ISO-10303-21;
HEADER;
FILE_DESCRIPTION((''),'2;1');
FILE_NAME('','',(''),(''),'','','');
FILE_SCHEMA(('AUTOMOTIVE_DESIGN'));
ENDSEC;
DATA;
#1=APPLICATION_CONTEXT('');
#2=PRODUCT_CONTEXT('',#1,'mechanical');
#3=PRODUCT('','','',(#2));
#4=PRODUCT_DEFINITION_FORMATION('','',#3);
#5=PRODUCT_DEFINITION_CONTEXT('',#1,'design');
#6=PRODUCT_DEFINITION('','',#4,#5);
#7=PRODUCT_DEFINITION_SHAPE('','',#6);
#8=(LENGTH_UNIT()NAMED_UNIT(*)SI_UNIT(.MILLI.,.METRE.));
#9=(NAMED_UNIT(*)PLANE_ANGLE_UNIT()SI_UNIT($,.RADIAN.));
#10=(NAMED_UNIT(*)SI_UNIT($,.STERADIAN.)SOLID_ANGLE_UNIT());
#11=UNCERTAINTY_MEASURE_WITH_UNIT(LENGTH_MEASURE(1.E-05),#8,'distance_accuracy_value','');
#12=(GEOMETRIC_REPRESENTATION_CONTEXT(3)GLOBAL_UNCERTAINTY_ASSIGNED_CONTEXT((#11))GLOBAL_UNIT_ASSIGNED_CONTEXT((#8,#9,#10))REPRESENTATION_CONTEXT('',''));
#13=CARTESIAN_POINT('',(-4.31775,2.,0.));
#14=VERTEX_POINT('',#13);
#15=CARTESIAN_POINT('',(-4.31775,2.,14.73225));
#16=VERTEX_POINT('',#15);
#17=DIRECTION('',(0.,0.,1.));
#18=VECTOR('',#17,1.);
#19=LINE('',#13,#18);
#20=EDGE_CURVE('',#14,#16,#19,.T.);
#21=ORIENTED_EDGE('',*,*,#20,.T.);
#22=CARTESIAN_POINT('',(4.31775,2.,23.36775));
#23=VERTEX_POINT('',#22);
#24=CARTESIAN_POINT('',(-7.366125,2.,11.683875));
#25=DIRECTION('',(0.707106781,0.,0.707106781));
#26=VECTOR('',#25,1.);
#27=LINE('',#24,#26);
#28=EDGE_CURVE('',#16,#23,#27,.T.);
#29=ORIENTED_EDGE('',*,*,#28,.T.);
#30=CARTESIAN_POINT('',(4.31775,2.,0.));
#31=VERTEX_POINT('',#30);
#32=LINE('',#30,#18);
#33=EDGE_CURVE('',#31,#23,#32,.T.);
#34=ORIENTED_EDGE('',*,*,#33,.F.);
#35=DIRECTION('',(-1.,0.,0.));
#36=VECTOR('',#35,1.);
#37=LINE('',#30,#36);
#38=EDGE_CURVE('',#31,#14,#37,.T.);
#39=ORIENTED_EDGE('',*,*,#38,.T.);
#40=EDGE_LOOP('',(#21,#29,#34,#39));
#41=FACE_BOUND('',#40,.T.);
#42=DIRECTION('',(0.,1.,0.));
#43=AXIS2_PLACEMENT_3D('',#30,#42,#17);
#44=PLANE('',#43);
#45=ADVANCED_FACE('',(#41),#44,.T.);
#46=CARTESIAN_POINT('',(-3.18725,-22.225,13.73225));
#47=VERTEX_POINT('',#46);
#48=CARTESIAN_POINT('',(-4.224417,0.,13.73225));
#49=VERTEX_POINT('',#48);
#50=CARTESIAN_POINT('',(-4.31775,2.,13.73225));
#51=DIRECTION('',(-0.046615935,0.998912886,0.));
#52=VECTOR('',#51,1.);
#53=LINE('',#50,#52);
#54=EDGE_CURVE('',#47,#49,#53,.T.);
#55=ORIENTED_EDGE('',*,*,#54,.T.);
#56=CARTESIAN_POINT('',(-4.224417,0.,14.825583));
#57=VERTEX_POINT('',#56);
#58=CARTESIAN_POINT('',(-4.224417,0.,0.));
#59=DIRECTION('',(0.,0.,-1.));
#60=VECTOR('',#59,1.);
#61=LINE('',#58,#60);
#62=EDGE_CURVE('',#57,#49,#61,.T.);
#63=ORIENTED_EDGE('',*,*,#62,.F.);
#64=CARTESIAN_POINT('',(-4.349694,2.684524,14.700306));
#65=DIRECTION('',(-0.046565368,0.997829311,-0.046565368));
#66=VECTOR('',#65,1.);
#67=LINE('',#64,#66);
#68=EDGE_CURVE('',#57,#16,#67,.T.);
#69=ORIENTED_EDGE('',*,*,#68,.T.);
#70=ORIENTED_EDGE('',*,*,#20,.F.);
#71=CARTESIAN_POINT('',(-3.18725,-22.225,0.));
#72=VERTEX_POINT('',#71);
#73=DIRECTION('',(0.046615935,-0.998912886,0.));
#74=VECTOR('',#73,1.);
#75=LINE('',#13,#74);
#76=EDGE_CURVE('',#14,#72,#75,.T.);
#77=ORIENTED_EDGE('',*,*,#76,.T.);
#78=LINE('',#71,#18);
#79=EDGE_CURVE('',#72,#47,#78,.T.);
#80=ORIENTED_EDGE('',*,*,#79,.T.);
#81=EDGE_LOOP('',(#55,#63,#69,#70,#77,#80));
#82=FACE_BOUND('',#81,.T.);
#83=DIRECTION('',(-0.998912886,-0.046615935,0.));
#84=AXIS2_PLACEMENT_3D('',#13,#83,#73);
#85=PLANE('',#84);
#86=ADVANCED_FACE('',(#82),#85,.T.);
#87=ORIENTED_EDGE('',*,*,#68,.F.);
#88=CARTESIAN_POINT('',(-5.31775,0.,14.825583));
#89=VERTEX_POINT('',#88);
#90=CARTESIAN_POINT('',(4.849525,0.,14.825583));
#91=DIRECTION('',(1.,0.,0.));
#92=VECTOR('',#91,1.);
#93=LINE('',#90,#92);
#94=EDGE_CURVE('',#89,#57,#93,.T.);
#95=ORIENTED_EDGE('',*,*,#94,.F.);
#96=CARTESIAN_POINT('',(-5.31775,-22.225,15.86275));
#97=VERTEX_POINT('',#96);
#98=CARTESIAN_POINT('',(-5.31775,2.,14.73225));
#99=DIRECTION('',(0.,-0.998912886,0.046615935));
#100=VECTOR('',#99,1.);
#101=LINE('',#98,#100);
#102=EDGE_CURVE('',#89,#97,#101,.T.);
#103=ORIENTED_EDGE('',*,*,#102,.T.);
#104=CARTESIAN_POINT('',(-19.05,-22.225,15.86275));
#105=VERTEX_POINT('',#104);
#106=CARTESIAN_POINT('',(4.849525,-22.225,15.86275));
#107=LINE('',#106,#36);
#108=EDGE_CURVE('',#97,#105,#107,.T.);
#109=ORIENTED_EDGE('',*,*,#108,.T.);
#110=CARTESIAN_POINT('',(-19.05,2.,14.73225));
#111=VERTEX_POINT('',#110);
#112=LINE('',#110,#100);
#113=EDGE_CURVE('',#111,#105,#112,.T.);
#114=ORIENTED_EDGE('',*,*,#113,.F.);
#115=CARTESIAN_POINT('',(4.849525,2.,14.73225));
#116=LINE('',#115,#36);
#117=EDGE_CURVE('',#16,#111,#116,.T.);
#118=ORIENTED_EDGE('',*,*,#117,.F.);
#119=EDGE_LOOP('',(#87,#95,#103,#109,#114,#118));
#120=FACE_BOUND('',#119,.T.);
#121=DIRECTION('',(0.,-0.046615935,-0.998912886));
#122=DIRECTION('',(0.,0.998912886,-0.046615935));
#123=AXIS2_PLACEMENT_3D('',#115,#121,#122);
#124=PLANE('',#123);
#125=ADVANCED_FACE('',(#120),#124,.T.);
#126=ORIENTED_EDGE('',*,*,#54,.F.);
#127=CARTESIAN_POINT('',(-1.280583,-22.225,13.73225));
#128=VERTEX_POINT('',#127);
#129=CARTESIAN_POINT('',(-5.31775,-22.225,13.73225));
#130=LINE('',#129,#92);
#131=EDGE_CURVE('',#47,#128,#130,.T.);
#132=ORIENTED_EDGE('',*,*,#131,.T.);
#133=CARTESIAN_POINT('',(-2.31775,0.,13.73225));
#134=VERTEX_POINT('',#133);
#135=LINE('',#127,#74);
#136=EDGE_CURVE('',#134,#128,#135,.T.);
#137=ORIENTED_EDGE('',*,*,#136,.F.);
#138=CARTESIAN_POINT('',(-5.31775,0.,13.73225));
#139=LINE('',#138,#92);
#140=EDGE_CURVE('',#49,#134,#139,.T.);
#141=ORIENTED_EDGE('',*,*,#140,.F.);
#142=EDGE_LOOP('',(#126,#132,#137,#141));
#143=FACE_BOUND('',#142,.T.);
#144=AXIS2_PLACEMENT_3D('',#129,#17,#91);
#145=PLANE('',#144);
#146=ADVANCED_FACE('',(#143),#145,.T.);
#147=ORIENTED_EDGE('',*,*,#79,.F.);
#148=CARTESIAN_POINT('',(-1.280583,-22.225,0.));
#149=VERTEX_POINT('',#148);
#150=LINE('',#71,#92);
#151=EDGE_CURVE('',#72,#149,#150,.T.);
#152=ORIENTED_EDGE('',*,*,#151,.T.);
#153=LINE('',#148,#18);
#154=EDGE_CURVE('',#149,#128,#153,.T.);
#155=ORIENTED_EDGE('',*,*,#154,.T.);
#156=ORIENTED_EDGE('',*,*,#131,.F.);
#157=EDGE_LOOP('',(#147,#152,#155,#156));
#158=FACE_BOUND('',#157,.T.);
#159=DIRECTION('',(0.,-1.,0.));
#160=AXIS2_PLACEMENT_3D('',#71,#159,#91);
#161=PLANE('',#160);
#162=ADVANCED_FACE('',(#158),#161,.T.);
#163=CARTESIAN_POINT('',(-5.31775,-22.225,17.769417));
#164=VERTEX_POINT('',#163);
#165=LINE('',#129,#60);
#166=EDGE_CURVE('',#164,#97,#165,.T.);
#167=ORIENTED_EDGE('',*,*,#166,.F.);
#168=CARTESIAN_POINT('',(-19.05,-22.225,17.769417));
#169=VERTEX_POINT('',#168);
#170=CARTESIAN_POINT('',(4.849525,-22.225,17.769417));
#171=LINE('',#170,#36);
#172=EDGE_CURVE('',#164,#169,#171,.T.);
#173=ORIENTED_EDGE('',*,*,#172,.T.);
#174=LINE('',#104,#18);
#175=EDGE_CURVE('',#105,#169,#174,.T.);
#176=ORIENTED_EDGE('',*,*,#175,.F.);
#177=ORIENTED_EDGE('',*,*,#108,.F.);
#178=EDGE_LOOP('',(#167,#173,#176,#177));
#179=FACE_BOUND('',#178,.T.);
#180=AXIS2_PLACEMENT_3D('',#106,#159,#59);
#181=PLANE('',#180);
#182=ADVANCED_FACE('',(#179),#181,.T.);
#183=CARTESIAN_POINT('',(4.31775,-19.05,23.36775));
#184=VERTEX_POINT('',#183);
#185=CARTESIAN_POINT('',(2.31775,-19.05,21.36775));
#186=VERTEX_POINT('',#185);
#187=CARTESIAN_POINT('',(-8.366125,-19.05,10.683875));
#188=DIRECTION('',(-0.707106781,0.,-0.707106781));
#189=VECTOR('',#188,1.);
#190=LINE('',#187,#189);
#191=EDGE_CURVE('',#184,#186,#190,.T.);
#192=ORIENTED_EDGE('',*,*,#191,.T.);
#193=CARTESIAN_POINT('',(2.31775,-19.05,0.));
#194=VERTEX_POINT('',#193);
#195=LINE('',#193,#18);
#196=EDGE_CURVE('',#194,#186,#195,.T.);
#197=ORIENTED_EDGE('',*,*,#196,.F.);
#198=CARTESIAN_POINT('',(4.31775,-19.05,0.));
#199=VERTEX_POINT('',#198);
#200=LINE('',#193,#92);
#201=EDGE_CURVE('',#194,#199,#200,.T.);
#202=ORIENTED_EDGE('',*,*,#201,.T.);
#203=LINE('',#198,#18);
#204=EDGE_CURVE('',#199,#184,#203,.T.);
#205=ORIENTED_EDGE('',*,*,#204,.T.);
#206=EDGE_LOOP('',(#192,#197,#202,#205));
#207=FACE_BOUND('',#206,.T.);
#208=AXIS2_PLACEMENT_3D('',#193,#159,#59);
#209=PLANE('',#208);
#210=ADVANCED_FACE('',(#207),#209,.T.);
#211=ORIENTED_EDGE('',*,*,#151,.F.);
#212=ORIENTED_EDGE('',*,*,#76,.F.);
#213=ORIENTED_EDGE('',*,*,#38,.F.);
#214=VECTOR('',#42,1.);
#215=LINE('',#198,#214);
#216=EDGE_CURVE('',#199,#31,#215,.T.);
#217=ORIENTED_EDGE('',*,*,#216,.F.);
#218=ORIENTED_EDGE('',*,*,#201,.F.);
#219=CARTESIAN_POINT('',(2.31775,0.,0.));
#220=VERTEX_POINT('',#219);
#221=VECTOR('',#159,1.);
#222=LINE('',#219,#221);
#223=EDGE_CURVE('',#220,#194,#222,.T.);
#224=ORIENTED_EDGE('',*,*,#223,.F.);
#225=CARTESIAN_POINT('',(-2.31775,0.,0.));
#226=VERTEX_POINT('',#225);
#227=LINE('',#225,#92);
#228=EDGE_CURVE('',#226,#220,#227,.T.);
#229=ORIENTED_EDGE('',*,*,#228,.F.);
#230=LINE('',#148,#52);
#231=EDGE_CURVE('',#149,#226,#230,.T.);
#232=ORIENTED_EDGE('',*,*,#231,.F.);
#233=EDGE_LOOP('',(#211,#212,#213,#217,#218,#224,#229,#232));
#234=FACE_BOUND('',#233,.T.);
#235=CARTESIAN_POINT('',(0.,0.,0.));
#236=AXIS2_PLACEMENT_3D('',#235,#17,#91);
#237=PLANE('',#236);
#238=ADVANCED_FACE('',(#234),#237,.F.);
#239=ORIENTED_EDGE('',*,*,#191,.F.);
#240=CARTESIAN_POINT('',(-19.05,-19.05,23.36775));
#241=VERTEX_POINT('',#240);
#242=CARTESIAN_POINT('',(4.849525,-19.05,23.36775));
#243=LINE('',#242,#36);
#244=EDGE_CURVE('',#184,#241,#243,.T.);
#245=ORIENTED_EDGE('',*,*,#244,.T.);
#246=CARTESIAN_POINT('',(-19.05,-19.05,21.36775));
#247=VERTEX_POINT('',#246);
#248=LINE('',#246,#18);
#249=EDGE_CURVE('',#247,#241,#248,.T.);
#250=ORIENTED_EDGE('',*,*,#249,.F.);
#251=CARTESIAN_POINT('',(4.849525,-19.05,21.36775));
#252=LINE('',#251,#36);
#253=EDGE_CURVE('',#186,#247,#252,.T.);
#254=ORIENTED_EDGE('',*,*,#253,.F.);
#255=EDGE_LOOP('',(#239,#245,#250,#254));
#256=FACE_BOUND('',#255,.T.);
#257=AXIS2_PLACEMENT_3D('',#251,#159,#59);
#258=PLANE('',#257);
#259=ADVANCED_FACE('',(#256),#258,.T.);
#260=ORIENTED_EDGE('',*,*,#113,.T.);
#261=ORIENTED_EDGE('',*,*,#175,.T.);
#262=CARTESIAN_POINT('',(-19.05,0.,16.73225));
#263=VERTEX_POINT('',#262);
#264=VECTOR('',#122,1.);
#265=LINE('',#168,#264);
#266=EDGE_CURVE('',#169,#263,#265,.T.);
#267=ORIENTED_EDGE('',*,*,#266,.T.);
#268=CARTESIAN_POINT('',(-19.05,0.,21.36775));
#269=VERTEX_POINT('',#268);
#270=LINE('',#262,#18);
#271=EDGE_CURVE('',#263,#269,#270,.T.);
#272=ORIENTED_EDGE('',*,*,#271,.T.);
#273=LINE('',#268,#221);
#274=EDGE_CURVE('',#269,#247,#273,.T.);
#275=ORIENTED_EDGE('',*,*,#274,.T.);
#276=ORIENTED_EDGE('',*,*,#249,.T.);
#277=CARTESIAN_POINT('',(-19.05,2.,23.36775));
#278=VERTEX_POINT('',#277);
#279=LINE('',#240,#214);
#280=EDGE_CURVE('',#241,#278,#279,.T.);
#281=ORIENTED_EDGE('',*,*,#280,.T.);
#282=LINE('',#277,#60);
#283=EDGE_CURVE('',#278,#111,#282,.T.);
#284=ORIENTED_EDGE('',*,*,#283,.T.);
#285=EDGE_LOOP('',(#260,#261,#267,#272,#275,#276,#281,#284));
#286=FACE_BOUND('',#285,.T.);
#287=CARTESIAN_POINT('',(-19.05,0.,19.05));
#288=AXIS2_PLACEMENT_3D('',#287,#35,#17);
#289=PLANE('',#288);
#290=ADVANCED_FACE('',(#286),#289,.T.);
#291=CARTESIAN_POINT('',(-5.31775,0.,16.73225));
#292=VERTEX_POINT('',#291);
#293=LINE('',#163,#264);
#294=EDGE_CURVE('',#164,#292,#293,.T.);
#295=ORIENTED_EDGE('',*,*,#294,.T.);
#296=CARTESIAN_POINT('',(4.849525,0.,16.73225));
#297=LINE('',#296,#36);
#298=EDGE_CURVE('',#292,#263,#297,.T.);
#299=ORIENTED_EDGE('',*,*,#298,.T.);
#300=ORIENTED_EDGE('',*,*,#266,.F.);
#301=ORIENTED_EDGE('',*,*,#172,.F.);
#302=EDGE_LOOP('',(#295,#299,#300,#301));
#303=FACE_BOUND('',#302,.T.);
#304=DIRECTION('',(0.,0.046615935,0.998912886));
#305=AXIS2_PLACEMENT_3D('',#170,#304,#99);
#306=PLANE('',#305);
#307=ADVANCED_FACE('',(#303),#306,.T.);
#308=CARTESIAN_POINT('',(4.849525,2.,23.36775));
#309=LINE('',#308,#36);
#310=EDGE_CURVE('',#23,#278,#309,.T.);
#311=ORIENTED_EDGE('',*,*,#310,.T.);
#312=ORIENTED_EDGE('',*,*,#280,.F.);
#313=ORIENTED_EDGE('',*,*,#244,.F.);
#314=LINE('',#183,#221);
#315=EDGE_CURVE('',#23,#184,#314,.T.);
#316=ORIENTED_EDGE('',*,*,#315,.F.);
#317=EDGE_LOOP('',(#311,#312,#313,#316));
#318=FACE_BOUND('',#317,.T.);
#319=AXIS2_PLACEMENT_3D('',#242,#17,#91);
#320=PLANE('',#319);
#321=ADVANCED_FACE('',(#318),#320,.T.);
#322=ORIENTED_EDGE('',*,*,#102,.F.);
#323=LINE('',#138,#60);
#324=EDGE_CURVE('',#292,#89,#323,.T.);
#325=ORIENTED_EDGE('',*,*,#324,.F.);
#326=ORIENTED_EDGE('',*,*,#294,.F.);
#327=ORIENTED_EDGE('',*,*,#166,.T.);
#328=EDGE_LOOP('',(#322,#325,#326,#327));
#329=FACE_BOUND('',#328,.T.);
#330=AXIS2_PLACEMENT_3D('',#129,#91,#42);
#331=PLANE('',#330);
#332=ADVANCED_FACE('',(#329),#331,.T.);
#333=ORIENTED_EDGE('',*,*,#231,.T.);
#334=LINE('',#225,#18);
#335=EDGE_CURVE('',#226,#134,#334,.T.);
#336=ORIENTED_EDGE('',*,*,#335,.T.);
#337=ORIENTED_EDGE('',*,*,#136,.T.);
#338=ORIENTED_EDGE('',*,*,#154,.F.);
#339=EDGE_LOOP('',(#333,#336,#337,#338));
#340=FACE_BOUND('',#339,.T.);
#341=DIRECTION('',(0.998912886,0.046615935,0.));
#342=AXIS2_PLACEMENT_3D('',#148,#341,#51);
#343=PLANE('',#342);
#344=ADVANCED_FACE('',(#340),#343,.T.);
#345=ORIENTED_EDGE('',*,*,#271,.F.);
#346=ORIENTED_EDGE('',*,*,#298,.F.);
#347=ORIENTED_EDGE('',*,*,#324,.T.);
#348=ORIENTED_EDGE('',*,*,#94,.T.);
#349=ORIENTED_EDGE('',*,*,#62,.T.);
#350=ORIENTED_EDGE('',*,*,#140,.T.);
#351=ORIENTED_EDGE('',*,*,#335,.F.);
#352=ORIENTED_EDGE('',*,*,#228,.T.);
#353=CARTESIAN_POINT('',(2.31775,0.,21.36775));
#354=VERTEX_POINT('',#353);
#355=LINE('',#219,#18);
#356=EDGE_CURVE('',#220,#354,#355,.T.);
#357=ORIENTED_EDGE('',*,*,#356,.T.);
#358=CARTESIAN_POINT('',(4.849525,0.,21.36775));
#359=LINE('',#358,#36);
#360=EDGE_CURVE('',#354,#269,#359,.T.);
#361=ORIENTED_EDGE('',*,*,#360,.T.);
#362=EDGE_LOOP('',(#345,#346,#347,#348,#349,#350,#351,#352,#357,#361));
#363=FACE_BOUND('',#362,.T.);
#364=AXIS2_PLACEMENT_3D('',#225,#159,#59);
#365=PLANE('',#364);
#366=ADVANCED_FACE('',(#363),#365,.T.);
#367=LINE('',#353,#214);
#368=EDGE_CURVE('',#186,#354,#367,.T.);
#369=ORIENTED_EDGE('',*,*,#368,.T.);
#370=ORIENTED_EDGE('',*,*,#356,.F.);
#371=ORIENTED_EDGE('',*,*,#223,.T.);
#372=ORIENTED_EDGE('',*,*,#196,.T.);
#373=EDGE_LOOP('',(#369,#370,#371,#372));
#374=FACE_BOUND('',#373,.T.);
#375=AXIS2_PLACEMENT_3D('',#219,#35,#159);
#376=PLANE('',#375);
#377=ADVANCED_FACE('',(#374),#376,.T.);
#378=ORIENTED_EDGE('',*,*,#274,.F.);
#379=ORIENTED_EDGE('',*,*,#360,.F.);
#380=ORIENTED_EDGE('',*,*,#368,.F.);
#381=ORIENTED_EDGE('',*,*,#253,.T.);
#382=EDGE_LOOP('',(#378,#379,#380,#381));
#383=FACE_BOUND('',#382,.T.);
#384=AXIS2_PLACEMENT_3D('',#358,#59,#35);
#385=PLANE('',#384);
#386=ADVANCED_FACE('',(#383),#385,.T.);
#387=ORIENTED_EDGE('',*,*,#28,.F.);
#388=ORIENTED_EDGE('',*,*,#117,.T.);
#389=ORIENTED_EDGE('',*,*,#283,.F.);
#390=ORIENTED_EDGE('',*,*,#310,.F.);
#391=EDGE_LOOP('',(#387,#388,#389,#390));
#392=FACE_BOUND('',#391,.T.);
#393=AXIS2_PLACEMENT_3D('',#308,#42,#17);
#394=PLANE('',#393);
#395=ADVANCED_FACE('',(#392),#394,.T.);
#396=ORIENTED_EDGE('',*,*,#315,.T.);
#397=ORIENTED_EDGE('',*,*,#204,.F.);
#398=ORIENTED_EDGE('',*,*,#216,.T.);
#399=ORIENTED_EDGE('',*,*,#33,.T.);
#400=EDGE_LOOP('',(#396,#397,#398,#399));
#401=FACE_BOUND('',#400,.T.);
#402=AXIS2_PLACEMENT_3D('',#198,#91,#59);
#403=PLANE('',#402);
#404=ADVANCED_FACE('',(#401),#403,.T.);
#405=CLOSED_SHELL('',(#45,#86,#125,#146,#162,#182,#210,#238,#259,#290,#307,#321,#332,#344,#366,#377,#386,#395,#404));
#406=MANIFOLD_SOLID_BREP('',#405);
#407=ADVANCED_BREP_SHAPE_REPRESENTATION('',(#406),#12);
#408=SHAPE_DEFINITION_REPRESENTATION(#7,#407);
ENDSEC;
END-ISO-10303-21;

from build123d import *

# Parameters (mm, degrees)
SKETCH3_W          = 4.037166667
SKETCH3_H          = 4.037166667
CUT_EXTRUDE1_DEPTH = 38.455371645


with BuildPart() as part:
    # Sweep1: sweep along a path in Sketch2
    with BuildLine(Plane(origin=(0, 0, 0), x_dir=(1, 0, 0), z_dir=(0, 1, 0))) as sweep1_path:
        Line((0, 0), (0, -19.05))
        Line((0, -19.05), (-19.05, -19.05))
    # Sketch1 → Sweep1 (sweep)
    with BuildSketch(Plane.XY):
        Polygon((2.31775, -19.05), (4.31775, -19.05), (4.31775, 2), (-4.31775, 2), (-3.18725, -22.225), (-1.280583333, -22.225), (-2.31775, 0), (2.31775, 0), align=None)
    sweep(path=sweep1_path.line, transition=Transition.RIGHT)

    # Sketch3 → Cut-Extrude1 (cut, through all)
    with BuildSketch(Plane.XZ):
        with Locations((-3.299166667, 15.750833334)):
            Rectangle(SKETCH3_W, SKETCH3_H)
    extrude(amount=CUT_EXTRUDE1_DEPTH, mode=Mode.SUBTRACT)


solid = part.part
